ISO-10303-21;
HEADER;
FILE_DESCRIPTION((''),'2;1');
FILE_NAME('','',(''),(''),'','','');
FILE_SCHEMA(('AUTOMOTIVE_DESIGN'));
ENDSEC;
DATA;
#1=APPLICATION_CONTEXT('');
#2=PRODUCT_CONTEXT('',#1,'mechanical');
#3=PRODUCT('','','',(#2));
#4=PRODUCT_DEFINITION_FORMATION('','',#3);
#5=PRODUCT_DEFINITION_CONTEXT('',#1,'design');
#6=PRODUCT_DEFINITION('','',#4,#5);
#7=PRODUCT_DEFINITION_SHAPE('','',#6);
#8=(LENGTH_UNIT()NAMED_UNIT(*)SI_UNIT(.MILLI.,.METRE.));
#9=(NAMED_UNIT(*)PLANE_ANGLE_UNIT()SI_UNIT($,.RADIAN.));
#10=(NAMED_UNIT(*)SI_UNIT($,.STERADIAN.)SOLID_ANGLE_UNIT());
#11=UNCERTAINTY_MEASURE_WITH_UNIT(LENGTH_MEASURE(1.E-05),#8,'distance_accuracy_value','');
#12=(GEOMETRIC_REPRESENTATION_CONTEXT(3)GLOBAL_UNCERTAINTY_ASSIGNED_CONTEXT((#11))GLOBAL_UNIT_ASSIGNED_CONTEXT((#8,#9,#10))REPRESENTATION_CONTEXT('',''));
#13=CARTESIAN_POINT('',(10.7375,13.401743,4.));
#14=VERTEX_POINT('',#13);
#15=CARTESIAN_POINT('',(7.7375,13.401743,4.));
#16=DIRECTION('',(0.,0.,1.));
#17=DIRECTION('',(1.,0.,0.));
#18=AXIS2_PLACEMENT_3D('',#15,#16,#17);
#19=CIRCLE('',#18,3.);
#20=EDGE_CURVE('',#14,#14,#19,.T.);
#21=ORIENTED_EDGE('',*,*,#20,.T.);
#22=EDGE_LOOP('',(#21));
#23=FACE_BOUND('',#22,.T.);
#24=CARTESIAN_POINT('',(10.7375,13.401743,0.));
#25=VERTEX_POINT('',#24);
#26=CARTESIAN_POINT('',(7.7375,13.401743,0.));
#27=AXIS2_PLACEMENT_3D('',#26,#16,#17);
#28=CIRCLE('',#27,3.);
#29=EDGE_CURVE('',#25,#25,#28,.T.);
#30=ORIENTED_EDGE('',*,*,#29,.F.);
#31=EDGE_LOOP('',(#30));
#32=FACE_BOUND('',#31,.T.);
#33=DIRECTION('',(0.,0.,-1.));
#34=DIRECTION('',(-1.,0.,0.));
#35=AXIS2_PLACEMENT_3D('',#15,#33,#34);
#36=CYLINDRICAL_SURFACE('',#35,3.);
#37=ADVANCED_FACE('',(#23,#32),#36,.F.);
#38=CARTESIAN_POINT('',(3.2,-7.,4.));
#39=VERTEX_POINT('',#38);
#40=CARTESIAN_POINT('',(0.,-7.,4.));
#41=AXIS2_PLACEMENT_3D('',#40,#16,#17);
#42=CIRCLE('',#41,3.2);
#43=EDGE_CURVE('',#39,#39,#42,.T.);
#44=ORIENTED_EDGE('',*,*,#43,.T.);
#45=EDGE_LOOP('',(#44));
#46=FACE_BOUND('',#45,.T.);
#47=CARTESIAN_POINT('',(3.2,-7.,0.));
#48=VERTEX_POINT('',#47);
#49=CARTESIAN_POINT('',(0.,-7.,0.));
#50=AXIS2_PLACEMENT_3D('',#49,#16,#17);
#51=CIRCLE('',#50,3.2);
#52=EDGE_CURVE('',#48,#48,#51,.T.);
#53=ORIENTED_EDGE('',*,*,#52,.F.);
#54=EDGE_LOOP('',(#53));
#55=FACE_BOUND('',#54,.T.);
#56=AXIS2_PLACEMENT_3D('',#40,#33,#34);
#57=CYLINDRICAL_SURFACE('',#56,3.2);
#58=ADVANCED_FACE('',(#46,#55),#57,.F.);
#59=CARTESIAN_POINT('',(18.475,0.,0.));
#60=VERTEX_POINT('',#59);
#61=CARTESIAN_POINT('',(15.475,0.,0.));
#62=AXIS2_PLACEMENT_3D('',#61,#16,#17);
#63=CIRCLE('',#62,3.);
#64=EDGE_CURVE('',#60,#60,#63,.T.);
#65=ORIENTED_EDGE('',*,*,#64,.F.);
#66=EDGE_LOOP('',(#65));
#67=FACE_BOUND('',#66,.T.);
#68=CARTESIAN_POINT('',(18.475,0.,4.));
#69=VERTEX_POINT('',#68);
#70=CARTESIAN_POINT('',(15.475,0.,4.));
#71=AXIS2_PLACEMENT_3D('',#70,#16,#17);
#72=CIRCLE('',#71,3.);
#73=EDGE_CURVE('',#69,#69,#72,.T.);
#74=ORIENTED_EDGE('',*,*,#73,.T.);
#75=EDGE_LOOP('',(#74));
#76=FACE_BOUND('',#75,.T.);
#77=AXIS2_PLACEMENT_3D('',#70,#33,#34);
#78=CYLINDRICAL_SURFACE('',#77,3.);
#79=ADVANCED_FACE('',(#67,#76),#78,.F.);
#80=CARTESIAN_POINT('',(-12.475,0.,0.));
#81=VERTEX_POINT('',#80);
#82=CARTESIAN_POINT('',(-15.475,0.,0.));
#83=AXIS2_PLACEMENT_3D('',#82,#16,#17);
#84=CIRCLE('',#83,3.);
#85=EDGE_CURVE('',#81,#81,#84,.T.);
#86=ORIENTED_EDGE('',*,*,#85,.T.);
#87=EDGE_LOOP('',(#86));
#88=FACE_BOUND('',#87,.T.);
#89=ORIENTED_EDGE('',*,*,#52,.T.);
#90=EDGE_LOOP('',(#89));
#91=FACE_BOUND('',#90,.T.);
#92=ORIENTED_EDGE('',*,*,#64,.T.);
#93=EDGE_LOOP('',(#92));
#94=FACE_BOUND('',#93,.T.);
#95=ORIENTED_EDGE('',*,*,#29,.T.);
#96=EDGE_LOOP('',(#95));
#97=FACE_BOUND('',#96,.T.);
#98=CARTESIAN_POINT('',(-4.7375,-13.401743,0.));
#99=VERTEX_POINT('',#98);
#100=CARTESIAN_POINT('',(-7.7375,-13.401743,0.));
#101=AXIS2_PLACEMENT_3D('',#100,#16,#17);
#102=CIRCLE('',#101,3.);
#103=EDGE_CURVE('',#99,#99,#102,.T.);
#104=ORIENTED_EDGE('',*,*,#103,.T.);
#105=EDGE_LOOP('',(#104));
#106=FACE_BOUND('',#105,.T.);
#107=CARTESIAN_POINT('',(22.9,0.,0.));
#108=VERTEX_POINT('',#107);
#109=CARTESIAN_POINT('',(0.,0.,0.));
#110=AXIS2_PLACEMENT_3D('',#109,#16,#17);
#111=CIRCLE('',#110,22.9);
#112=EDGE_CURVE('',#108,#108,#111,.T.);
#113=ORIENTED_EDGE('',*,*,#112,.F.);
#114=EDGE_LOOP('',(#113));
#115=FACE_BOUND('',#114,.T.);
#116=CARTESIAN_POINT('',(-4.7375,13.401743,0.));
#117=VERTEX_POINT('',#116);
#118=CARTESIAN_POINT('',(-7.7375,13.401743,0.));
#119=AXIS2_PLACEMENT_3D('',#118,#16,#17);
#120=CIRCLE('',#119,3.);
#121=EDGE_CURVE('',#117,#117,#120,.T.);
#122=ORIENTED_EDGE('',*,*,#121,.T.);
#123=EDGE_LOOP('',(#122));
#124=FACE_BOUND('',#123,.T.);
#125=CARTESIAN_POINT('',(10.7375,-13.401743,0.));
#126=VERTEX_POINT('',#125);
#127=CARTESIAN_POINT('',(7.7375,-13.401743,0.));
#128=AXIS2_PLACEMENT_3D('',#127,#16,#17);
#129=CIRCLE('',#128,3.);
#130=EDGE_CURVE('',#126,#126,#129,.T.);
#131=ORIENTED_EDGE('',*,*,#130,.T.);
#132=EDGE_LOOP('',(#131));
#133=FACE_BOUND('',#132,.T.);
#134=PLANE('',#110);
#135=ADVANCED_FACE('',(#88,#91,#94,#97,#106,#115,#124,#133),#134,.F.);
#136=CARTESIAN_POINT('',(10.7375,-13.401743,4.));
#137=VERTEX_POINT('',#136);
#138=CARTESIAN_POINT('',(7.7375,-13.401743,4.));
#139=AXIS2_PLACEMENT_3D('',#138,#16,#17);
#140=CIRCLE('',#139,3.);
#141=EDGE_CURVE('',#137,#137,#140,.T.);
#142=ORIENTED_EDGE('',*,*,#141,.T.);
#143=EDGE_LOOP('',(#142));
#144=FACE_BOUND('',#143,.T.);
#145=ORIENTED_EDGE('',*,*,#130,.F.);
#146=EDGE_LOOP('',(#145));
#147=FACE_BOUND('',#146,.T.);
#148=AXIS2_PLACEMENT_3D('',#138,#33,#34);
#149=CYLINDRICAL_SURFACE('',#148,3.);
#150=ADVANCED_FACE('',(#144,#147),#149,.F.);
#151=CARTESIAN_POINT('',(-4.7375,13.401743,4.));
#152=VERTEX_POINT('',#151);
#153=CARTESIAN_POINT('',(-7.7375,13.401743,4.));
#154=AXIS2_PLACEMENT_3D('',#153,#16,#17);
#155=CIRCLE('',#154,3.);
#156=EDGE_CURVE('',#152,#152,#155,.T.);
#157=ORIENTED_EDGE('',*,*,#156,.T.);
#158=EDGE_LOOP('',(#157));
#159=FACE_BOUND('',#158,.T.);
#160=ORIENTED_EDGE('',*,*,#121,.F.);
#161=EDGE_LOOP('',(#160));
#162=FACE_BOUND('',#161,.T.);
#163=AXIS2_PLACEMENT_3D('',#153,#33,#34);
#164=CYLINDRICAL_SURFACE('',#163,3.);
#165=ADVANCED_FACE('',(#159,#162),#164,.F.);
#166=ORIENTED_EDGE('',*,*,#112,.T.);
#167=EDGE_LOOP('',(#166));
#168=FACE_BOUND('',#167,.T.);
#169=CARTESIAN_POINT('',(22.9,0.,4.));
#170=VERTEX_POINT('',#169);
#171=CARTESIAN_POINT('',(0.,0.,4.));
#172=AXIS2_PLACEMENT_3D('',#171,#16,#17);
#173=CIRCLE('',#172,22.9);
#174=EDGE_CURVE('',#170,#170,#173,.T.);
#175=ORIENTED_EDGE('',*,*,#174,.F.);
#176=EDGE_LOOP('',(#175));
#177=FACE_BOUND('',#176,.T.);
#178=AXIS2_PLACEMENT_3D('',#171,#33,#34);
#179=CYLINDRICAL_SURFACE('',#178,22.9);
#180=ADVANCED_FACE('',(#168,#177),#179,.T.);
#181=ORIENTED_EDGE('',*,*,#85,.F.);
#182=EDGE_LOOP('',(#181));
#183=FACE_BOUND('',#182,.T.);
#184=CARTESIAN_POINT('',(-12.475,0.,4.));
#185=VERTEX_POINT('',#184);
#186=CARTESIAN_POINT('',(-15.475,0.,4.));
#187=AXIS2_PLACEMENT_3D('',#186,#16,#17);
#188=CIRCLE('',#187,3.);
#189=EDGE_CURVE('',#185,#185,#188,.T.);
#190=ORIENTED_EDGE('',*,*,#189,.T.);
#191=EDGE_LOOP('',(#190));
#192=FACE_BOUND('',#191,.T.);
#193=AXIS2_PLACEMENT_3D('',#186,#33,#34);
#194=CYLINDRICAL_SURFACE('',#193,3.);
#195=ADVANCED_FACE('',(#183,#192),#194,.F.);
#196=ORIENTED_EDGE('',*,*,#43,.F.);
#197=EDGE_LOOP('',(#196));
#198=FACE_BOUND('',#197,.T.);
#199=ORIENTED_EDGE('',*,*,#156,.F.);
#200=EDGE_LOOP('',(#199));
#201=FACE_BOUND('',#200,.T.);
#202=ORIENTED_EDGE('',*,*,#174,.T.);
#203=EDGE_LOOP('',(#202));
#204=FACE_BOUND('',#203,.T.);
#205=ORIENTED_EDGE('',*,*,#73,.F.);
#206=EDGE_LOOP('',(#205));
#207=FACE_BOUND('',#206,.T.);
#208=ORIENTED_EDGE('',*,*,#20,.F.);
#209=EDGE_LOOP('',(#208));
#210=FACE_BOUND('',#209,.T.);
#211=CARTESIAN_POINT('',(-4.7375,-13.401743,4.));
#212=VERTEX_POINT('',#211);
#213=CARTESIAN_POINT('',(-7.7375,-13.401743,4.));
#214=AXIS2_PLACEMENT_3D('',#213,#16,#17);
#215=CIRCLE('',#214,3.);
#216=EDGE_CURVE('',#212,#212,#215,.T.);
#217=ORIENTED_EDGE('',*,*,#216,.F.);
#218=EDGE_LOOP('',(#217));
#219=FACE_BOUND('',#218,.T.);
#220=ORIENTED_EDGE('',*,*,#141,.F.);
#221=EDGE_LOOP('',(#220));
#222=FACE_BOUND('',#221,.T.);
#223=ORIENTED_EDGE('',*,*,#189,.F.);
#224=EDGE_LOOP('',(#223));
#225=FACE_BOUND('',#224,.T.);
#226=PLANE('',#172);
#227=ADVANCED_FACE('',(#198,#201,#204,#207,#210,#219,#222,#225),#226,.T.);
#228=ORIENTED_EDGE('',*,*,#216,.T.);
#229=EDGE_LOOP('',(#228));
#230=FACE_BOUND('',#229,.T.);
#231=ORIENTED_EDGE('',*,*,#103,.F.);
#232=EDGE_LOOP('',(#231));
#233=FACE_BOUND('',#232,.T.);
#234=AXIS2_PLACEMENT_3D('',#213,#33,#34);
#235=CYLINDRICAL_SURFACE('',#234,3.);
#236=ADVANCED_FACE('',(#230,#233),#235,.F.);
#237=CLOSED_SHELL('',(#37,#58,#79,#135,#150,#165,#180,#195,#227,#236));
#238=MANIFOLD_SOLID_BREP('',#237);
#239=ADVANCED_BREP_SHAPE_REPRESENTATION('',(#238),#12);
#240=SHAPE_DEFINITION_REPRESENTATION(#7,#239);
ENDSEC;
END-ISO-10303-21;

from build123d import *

# Parameters (mm, degrees)
SKETCH2_R           = 22.9
SKETCH2_R_2         = 3
SKETCH2_R_3         = 3.2
BOSS_EXTRUDE1_DEPTH = 4


with BuildPart() as part:
    # Sketch2 → Boss-Extrude1 (new body)
    with BuildSketch(Plane.XY):
        Circle(SKETCH2_R)
        with Locations((15.475, 0)):
            Circle(SKETCH2_R_2, mode=Mode.SUBTRACT)
        with Locations((7.7375, -13.401743124)):
            Circle(SKETCH2_R_2, mode=Mode.SUBTRACT)
        with Locations((-7.7375, -13.401743124)):
            Circle(SKETCH2_R_2, mode=Mode.SUBTRACT)
        with Locations((-15.475, 0)):
            Circle(SKETCH2_R_2, mode=Mode.SUBTRACT)
        with Locations((-7.7375, 13.401743124)):
            Circle(SKETCH2_R_2, mode=Mode.SUBTRACT)
        with Locations((7.7375, 13.401743124)):
            Circle(SKETCH2_R_2, mode=Mode.SUBTRACT)
        with Locations((0, -7)):
            Circle(SKETCH2_R_3, mode=Mode.SUBTRACT)
    extrude(amount=BOSS_EXTRUDE1_DEPTH)


solid = part.part
